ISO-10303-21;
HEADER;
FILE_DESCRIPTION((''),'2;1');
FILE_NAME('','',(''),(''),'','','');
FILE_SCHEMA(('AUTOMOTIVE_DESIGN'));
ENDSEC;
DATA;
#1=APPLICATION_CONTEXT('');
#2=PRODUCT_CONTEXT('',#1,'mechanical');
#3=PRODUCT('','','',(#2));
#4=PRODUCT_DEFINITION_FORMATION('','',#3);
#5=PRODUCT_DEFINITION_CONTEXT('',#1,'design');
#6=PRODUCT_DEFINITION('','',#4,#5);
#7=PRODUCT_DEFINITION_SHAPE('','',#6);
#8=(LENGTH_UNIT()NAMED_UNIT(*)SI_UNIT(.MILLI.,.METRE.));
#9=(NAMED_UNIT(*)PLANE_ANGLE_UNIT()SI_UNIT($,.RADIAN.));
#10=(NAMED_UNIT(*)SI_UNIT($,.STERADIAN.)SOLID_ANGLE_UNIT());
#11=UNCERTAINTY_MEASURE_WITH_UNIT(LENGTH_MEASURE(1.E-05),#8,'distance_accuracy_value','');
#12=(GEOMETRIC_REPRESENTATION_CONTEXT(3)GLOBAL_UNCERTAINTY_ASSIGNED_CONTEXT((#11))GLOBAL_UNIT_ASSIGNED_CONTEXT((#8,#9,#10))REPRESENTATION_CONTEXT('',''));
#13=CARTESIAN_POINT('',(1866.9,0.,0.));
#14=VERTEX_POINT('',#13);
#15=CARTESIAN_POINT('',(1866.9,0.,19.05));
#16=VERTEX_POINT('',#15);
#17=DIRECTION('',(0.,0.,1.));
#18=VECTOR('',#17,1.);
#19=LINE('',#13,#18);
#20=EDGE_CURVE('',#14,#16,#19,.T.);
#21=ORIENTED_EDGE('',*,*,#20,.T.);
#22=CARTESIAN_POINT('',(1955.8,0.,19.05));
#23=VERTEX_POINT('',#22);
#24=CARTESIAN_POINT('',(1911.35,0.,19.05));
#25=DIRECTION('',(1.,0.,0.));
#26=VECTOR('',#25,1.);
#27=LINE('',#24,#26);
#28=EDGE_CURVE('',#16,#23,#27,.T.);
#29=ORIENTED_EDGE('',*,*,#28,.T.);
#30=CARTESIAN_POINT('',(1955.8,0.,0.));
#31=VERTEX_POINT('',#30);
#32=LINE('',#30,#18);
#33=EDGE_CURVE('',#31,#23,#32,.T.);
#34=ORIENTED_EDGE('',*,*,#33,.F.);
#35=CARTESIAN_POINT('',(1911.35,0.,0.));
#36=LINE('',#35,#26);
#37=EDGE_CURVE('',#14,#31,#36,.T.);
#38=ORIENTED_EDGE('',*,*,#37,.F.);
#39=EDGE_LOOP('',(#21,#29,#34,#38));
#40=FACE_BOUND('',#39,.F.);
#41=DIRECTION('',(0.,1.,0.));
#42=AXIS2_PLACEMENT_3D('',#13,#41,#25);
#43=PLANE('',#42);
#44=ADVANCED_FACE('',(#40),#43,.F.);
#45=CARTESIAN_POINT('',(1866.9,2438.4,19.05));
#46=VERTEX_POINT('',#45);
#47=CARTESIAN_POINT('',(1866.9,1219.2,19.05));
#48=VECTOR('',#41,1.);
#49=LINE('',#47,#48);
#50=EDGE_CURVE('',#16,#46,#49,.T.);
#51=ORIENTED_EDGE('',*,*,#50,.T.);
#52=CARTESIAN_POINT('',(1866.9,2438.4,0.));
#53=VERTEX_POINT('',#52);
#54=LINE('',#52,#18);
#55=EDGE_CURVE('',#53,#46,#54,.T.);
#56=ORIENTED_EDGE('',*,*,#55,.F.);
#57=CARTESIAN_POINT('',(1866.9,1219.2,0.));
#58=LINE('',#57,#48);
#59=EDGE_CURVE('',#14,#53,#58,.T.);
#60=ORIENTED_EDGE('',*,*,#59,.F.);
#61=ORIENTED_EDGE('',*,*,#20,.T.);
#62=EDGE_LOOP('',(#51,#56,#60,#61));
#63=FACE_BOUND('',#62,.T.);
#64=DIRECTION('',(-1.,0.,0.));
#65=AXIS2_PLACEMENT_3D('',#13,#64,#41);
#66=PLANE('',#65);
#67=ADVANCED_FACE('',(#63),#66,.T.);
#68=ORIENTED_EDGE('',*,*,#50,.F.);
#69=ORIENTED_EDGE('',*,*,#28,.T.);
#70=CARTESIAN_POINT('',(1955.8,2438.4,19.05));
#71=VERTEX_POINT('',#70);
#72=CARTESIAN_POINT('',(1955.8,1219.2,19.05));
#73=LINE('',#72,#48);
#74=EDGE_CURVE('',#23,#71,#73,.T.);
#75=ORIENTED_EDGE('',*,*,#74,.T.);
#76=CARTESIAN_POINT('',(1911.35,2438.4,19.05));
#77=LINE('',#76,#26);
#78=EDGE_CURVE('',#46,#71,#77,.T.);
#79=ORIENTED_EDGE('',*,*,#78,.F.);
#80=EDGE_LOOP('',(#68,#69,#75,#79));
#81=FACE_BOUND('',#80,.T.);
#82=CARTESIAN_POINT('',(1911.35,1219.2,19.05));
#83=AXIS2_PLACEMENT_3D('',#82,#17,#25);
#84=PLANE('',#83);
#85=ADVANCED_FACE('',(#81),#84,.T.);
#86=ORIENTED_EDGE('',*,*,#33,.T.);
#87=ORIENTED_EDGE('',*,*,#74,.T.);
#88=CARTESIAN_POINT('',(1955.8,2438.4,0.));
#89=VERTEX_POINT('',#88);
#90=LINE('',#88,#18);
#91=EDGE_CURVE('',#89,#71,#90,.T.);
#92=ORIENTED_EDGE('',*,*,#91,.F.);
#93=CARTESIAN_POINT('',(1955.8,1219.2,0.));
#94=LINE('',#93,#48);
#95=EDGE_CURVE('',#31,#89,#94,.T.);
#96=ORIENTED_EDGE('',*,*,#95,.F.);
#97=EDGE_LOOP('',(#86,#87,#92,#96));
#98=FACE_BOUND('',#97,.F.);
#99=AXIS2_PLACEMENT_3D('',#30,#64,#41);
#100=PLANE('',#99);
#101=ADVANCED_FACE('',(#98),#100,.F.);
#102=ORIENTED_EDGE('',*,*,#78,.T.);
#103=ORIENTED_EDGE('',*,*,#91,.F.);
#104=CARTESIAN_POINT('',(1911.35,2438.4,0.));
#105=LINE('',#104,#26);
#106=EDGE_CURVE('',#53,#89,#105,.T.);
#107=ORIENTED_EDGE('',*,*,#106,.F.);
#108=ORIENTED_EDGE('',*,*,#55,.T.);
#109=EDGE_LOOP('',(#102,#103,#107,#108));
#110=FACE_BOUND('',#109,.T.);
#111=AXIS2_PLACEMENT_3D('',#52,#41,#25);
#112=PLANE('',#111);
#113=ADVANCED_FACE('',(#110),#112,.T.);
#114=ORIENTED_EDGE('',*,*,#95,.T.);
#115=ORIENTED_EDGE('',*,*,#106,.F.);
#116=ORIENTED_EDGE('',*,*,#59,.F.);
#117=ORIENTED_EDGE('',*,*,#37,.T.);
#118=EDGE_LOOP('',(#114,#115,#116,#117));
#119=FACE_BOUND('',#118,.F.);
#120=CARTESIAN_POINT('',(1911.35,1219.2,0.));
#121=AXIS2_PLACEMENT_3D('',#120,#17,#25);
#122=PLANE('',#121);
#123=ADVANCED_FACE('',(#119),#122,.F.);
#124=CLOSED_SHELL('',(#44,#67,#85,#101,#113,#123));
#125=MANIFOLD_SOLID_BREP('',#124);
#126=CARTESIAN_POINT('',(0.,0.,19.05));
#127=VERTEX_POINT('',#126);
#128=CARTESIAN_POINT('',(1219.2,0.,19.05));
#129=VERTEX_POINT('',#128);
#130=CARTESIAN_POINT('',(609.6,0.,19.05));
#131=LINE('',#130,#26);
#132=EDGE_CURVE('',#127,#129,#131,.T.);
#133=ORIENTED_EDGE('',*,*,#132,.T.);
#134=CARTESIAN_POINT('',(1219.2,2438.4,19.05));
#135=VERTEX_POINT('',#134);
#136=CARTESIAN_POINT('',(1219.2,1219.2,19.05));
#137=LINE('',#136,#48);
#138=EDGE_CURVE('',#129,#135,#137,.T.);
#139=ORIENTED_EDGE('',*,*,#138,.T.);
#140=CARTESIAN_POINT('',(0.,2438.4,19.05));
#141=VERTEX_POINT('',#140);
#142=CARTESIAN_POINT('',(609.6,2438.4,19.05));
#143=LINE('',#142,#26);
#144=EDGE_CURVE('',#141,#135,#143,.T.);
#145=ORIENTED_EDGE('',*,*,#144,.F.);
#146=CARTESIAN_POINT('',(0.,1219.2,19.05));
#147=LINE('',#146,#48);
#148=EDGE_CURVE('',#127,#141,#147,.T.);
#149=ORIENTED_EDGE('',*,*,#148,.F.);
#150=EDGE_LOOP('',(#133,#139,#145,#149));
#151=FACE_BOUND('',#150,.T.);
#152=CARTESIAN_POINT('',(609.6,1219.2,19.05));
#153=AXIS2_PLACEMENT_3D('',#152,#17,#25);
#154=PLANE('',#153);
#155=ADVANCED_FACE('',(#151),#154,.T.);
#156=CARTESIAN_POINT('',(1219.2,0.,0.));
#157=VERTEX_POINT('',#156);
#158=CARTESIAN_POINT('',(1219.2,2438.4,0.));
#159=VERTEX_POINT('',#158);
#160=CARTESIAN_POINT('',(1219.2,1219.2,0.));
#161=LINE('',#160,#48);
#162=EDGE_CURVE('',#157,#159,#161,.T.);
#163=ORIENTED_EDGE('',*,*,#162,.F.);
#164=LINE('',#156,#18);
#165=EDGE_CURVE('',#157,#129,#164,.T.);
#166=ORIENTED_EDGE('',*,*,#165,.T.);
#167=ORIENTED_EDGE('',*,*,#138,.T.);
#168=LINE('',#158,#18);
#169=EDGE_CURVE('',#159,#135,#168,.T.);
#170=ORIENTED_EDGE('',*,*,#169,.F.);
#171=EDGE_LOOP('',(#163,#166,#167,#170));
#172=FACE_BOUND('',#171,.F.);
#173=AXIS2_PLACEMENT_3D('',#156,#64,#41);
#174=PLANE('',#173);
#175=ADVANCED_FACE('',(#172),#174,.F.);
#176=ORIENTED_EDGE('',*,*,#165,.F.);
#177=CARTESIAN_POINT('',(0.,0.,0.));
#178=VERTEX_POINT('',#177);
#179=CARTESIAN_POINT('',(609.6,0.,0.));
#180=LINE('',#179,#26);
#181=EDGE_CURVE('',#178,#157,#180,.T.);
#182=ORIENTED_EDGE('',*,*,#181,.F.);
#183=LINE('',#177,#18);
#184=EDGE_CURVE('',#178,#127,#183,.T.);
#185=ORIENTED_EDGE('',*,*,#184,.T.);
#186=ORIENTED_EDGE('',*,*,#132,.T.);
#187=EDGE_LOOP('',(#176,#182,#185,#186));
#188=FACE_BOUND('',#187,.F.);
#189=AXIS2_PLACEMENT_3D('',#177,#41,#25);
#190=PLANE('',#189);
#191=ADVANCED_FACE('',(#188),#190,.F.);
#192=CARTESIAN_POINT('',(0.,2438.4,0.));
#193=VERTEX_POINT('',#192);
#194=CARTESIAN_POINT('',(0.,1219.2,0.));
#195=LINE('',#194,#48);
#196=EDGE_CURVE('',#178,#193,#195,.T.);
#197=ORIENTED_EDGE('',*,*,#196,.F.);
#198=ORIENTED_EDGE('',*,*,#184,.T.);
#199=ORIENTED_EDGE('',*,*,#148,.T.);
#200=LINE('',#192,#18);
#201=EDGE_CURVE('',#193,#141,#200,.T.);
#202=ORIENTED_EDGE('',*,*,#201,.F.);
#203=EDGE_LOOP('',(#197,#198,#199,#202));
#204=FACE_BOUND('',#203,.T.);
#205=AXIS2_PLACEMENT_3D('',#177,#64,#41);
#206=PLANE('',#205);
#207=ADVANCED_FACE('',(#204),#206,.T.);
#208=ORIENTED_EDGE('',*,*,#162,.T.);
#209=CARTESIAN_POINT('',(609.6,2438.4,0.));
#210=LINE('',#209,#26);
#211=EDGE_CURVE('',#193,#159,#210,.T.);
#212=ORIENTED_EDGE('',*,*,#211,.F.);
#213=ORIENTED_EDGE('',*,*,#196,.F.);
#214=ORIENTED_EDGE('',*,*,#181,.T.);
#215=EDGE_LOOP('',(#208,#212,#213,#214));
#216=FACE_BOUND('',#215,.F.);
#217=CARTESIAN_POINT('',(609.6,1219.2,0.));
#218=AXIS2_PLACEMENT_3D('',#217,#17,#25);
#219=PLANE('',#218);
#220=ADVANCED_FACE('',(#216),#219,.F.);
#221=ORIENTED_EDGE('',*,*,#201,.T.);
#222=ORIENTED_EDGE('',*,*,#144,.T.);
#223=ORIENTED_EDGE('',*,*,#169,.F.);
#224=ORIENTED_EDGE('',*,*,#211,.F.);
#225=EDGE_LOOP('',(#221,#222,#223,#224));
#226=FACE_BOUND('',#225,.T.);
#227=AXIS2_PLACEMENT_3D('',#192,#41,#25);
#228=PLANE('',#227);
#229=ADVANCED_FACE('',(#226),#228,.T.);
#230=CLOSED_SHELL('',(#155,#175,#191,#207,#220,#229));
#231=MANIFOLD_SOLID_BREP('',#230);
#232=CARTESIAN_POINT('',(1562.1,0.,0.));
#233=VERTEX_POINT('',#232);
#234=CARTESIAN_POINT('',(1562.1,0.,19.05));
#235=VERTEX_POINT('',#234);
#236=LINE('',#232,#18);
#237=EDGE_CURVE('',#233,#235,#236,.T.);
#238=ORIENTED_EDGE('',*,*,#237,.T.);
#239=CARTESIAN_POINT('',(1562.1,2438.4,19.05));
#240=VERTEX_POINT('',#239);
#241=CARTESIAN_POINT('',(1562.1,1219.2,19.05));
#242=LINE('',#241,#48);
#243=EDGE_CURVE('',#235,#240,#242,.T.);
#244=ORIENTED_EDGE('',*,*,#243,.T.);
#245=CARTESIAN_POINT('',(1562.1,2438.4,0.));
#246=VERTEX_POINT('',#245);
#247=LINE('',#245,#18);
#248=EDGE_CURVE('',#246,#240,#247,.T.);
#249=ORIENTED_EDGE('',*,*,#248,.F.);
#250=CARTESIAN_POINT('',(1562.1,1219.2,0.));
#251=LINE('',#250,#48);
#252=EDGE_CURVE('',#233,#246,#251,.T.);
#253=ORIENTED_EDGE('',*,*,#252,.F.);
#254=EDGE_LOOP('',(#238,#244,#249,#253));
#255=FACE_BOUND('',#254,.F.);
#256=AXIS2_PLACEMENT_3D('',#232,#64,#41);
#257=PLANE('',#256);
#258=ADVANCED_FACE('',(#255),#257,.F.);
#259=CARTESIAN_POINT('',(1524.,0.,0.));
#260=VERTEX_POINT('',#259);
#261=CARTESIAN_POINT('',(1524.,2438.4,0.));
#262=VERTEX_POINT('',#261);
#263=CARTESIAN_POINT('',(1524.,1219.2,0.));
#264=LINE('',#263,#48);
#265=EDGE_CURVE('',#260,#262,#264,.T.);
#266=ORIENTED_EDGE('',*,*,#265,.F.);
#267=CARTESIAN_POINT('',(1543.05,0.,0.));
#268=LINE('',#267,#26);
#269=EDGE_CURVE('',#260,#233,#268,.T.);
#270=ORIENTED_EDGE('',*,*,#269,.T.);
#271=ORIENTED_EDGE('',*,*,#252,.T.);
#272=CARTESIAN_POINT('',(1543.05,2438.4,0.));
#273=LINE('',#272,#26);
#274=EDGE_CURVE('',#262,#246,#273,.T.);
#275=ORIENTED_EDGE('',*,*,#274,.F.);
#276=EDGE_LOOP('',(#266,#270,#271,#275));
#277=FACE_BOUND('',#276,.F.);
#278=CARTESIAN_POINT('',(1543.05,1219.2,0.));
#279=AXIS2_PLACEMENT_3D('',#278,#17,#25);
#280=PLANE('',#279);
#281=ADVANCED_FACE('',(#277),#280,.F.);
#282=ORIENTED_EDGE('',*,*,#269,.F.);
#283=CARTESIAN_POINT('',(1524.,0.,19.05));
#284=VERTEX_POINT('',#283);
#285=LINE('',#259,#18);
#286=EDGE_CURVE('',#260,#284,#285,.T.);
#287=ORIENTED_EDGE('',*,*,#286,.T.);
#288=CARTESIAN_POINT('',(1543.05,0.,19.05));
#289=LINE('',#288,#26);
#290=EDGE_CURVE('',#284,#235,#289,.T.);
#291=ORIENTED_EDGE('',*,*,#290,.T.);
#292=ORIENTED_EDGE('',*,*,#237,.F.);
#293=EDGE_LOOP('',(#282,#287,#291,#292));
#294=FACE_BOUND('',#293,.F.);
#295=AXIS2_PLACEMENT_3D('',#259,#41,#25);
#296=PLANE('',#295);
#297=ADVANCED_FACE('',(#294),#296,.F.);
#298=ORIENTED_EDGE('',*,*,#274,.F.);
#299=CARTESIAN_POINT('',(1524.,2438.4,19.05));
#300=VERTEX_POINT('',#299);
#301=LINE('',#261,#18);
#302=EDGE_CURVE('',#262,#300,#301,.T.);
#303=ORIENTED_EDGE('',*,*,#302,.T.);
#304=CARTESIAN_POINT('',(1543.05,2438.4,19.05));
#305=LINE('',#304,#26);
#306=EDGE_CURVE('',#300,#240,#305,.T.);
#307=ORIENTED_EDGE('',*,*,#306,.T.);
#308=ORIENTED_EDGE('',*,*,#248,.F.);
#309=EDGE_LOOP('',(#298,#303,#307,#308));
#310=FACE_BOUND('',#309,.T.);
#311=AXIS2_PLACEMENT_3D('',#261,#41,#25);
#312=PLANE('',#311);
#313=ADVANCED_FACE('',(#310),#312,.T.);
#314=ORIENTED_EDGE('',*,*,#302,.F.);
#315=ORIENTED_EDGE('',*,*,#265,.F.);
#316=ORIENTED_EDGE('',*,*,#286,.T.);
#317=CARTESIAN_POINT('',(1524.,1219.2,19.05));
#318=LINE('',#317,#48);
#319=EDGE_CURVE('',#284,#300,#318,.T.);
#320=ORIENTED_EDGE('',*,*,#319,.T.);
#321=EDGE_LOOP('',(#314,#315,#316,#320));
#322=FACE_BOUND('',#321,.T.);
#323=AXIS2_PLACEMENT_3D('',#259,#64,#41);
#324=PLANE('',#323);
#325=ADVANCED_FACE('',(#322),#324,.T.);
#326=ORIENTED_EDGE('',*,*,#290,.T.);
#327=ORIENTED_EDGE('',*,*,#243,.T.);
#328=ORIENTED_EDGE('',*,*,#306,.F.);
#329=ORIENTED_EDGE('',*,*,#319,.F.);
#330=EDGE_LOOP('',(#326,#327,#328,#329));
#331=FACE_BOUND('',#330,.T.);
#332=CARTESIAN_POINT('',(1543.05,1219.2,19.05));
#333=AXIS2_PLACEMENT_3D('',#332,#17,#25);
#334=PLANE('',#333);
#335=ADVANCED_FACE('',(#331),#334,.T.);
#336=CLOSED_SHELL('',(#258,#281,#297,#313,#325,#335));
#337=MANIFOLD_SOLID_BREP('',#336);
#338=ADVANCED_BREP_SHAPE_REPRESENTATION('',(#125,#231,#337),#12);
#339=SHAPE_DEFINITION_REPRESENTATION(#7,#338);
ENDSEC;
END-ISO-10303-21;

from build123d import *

# Parameters (mm, degrees)
F0_W     = 1219.2
F0_H     = 2438.4
F0_W_2   = 38.1
F0_W_3   = 88.9
F1_DEPTH = 19.05


with BuildPart() as f1:
    # F0 (on Top) → F1 (new body)
    with BuildSketch(Plane.XY):
        with Locations((609.6, 1219.2)):
            Rectangle(F0_W, F0_H)
        with Locations((1543.05, 1219.2)):
            Rectangle(F0_W_2, F0_H)
        with Locations((1911.35, 1219.2)):
            Rectangle(F0_W_3, F0_H)
    extrude(amount=F1_DEPTH)


solid = f1.part
